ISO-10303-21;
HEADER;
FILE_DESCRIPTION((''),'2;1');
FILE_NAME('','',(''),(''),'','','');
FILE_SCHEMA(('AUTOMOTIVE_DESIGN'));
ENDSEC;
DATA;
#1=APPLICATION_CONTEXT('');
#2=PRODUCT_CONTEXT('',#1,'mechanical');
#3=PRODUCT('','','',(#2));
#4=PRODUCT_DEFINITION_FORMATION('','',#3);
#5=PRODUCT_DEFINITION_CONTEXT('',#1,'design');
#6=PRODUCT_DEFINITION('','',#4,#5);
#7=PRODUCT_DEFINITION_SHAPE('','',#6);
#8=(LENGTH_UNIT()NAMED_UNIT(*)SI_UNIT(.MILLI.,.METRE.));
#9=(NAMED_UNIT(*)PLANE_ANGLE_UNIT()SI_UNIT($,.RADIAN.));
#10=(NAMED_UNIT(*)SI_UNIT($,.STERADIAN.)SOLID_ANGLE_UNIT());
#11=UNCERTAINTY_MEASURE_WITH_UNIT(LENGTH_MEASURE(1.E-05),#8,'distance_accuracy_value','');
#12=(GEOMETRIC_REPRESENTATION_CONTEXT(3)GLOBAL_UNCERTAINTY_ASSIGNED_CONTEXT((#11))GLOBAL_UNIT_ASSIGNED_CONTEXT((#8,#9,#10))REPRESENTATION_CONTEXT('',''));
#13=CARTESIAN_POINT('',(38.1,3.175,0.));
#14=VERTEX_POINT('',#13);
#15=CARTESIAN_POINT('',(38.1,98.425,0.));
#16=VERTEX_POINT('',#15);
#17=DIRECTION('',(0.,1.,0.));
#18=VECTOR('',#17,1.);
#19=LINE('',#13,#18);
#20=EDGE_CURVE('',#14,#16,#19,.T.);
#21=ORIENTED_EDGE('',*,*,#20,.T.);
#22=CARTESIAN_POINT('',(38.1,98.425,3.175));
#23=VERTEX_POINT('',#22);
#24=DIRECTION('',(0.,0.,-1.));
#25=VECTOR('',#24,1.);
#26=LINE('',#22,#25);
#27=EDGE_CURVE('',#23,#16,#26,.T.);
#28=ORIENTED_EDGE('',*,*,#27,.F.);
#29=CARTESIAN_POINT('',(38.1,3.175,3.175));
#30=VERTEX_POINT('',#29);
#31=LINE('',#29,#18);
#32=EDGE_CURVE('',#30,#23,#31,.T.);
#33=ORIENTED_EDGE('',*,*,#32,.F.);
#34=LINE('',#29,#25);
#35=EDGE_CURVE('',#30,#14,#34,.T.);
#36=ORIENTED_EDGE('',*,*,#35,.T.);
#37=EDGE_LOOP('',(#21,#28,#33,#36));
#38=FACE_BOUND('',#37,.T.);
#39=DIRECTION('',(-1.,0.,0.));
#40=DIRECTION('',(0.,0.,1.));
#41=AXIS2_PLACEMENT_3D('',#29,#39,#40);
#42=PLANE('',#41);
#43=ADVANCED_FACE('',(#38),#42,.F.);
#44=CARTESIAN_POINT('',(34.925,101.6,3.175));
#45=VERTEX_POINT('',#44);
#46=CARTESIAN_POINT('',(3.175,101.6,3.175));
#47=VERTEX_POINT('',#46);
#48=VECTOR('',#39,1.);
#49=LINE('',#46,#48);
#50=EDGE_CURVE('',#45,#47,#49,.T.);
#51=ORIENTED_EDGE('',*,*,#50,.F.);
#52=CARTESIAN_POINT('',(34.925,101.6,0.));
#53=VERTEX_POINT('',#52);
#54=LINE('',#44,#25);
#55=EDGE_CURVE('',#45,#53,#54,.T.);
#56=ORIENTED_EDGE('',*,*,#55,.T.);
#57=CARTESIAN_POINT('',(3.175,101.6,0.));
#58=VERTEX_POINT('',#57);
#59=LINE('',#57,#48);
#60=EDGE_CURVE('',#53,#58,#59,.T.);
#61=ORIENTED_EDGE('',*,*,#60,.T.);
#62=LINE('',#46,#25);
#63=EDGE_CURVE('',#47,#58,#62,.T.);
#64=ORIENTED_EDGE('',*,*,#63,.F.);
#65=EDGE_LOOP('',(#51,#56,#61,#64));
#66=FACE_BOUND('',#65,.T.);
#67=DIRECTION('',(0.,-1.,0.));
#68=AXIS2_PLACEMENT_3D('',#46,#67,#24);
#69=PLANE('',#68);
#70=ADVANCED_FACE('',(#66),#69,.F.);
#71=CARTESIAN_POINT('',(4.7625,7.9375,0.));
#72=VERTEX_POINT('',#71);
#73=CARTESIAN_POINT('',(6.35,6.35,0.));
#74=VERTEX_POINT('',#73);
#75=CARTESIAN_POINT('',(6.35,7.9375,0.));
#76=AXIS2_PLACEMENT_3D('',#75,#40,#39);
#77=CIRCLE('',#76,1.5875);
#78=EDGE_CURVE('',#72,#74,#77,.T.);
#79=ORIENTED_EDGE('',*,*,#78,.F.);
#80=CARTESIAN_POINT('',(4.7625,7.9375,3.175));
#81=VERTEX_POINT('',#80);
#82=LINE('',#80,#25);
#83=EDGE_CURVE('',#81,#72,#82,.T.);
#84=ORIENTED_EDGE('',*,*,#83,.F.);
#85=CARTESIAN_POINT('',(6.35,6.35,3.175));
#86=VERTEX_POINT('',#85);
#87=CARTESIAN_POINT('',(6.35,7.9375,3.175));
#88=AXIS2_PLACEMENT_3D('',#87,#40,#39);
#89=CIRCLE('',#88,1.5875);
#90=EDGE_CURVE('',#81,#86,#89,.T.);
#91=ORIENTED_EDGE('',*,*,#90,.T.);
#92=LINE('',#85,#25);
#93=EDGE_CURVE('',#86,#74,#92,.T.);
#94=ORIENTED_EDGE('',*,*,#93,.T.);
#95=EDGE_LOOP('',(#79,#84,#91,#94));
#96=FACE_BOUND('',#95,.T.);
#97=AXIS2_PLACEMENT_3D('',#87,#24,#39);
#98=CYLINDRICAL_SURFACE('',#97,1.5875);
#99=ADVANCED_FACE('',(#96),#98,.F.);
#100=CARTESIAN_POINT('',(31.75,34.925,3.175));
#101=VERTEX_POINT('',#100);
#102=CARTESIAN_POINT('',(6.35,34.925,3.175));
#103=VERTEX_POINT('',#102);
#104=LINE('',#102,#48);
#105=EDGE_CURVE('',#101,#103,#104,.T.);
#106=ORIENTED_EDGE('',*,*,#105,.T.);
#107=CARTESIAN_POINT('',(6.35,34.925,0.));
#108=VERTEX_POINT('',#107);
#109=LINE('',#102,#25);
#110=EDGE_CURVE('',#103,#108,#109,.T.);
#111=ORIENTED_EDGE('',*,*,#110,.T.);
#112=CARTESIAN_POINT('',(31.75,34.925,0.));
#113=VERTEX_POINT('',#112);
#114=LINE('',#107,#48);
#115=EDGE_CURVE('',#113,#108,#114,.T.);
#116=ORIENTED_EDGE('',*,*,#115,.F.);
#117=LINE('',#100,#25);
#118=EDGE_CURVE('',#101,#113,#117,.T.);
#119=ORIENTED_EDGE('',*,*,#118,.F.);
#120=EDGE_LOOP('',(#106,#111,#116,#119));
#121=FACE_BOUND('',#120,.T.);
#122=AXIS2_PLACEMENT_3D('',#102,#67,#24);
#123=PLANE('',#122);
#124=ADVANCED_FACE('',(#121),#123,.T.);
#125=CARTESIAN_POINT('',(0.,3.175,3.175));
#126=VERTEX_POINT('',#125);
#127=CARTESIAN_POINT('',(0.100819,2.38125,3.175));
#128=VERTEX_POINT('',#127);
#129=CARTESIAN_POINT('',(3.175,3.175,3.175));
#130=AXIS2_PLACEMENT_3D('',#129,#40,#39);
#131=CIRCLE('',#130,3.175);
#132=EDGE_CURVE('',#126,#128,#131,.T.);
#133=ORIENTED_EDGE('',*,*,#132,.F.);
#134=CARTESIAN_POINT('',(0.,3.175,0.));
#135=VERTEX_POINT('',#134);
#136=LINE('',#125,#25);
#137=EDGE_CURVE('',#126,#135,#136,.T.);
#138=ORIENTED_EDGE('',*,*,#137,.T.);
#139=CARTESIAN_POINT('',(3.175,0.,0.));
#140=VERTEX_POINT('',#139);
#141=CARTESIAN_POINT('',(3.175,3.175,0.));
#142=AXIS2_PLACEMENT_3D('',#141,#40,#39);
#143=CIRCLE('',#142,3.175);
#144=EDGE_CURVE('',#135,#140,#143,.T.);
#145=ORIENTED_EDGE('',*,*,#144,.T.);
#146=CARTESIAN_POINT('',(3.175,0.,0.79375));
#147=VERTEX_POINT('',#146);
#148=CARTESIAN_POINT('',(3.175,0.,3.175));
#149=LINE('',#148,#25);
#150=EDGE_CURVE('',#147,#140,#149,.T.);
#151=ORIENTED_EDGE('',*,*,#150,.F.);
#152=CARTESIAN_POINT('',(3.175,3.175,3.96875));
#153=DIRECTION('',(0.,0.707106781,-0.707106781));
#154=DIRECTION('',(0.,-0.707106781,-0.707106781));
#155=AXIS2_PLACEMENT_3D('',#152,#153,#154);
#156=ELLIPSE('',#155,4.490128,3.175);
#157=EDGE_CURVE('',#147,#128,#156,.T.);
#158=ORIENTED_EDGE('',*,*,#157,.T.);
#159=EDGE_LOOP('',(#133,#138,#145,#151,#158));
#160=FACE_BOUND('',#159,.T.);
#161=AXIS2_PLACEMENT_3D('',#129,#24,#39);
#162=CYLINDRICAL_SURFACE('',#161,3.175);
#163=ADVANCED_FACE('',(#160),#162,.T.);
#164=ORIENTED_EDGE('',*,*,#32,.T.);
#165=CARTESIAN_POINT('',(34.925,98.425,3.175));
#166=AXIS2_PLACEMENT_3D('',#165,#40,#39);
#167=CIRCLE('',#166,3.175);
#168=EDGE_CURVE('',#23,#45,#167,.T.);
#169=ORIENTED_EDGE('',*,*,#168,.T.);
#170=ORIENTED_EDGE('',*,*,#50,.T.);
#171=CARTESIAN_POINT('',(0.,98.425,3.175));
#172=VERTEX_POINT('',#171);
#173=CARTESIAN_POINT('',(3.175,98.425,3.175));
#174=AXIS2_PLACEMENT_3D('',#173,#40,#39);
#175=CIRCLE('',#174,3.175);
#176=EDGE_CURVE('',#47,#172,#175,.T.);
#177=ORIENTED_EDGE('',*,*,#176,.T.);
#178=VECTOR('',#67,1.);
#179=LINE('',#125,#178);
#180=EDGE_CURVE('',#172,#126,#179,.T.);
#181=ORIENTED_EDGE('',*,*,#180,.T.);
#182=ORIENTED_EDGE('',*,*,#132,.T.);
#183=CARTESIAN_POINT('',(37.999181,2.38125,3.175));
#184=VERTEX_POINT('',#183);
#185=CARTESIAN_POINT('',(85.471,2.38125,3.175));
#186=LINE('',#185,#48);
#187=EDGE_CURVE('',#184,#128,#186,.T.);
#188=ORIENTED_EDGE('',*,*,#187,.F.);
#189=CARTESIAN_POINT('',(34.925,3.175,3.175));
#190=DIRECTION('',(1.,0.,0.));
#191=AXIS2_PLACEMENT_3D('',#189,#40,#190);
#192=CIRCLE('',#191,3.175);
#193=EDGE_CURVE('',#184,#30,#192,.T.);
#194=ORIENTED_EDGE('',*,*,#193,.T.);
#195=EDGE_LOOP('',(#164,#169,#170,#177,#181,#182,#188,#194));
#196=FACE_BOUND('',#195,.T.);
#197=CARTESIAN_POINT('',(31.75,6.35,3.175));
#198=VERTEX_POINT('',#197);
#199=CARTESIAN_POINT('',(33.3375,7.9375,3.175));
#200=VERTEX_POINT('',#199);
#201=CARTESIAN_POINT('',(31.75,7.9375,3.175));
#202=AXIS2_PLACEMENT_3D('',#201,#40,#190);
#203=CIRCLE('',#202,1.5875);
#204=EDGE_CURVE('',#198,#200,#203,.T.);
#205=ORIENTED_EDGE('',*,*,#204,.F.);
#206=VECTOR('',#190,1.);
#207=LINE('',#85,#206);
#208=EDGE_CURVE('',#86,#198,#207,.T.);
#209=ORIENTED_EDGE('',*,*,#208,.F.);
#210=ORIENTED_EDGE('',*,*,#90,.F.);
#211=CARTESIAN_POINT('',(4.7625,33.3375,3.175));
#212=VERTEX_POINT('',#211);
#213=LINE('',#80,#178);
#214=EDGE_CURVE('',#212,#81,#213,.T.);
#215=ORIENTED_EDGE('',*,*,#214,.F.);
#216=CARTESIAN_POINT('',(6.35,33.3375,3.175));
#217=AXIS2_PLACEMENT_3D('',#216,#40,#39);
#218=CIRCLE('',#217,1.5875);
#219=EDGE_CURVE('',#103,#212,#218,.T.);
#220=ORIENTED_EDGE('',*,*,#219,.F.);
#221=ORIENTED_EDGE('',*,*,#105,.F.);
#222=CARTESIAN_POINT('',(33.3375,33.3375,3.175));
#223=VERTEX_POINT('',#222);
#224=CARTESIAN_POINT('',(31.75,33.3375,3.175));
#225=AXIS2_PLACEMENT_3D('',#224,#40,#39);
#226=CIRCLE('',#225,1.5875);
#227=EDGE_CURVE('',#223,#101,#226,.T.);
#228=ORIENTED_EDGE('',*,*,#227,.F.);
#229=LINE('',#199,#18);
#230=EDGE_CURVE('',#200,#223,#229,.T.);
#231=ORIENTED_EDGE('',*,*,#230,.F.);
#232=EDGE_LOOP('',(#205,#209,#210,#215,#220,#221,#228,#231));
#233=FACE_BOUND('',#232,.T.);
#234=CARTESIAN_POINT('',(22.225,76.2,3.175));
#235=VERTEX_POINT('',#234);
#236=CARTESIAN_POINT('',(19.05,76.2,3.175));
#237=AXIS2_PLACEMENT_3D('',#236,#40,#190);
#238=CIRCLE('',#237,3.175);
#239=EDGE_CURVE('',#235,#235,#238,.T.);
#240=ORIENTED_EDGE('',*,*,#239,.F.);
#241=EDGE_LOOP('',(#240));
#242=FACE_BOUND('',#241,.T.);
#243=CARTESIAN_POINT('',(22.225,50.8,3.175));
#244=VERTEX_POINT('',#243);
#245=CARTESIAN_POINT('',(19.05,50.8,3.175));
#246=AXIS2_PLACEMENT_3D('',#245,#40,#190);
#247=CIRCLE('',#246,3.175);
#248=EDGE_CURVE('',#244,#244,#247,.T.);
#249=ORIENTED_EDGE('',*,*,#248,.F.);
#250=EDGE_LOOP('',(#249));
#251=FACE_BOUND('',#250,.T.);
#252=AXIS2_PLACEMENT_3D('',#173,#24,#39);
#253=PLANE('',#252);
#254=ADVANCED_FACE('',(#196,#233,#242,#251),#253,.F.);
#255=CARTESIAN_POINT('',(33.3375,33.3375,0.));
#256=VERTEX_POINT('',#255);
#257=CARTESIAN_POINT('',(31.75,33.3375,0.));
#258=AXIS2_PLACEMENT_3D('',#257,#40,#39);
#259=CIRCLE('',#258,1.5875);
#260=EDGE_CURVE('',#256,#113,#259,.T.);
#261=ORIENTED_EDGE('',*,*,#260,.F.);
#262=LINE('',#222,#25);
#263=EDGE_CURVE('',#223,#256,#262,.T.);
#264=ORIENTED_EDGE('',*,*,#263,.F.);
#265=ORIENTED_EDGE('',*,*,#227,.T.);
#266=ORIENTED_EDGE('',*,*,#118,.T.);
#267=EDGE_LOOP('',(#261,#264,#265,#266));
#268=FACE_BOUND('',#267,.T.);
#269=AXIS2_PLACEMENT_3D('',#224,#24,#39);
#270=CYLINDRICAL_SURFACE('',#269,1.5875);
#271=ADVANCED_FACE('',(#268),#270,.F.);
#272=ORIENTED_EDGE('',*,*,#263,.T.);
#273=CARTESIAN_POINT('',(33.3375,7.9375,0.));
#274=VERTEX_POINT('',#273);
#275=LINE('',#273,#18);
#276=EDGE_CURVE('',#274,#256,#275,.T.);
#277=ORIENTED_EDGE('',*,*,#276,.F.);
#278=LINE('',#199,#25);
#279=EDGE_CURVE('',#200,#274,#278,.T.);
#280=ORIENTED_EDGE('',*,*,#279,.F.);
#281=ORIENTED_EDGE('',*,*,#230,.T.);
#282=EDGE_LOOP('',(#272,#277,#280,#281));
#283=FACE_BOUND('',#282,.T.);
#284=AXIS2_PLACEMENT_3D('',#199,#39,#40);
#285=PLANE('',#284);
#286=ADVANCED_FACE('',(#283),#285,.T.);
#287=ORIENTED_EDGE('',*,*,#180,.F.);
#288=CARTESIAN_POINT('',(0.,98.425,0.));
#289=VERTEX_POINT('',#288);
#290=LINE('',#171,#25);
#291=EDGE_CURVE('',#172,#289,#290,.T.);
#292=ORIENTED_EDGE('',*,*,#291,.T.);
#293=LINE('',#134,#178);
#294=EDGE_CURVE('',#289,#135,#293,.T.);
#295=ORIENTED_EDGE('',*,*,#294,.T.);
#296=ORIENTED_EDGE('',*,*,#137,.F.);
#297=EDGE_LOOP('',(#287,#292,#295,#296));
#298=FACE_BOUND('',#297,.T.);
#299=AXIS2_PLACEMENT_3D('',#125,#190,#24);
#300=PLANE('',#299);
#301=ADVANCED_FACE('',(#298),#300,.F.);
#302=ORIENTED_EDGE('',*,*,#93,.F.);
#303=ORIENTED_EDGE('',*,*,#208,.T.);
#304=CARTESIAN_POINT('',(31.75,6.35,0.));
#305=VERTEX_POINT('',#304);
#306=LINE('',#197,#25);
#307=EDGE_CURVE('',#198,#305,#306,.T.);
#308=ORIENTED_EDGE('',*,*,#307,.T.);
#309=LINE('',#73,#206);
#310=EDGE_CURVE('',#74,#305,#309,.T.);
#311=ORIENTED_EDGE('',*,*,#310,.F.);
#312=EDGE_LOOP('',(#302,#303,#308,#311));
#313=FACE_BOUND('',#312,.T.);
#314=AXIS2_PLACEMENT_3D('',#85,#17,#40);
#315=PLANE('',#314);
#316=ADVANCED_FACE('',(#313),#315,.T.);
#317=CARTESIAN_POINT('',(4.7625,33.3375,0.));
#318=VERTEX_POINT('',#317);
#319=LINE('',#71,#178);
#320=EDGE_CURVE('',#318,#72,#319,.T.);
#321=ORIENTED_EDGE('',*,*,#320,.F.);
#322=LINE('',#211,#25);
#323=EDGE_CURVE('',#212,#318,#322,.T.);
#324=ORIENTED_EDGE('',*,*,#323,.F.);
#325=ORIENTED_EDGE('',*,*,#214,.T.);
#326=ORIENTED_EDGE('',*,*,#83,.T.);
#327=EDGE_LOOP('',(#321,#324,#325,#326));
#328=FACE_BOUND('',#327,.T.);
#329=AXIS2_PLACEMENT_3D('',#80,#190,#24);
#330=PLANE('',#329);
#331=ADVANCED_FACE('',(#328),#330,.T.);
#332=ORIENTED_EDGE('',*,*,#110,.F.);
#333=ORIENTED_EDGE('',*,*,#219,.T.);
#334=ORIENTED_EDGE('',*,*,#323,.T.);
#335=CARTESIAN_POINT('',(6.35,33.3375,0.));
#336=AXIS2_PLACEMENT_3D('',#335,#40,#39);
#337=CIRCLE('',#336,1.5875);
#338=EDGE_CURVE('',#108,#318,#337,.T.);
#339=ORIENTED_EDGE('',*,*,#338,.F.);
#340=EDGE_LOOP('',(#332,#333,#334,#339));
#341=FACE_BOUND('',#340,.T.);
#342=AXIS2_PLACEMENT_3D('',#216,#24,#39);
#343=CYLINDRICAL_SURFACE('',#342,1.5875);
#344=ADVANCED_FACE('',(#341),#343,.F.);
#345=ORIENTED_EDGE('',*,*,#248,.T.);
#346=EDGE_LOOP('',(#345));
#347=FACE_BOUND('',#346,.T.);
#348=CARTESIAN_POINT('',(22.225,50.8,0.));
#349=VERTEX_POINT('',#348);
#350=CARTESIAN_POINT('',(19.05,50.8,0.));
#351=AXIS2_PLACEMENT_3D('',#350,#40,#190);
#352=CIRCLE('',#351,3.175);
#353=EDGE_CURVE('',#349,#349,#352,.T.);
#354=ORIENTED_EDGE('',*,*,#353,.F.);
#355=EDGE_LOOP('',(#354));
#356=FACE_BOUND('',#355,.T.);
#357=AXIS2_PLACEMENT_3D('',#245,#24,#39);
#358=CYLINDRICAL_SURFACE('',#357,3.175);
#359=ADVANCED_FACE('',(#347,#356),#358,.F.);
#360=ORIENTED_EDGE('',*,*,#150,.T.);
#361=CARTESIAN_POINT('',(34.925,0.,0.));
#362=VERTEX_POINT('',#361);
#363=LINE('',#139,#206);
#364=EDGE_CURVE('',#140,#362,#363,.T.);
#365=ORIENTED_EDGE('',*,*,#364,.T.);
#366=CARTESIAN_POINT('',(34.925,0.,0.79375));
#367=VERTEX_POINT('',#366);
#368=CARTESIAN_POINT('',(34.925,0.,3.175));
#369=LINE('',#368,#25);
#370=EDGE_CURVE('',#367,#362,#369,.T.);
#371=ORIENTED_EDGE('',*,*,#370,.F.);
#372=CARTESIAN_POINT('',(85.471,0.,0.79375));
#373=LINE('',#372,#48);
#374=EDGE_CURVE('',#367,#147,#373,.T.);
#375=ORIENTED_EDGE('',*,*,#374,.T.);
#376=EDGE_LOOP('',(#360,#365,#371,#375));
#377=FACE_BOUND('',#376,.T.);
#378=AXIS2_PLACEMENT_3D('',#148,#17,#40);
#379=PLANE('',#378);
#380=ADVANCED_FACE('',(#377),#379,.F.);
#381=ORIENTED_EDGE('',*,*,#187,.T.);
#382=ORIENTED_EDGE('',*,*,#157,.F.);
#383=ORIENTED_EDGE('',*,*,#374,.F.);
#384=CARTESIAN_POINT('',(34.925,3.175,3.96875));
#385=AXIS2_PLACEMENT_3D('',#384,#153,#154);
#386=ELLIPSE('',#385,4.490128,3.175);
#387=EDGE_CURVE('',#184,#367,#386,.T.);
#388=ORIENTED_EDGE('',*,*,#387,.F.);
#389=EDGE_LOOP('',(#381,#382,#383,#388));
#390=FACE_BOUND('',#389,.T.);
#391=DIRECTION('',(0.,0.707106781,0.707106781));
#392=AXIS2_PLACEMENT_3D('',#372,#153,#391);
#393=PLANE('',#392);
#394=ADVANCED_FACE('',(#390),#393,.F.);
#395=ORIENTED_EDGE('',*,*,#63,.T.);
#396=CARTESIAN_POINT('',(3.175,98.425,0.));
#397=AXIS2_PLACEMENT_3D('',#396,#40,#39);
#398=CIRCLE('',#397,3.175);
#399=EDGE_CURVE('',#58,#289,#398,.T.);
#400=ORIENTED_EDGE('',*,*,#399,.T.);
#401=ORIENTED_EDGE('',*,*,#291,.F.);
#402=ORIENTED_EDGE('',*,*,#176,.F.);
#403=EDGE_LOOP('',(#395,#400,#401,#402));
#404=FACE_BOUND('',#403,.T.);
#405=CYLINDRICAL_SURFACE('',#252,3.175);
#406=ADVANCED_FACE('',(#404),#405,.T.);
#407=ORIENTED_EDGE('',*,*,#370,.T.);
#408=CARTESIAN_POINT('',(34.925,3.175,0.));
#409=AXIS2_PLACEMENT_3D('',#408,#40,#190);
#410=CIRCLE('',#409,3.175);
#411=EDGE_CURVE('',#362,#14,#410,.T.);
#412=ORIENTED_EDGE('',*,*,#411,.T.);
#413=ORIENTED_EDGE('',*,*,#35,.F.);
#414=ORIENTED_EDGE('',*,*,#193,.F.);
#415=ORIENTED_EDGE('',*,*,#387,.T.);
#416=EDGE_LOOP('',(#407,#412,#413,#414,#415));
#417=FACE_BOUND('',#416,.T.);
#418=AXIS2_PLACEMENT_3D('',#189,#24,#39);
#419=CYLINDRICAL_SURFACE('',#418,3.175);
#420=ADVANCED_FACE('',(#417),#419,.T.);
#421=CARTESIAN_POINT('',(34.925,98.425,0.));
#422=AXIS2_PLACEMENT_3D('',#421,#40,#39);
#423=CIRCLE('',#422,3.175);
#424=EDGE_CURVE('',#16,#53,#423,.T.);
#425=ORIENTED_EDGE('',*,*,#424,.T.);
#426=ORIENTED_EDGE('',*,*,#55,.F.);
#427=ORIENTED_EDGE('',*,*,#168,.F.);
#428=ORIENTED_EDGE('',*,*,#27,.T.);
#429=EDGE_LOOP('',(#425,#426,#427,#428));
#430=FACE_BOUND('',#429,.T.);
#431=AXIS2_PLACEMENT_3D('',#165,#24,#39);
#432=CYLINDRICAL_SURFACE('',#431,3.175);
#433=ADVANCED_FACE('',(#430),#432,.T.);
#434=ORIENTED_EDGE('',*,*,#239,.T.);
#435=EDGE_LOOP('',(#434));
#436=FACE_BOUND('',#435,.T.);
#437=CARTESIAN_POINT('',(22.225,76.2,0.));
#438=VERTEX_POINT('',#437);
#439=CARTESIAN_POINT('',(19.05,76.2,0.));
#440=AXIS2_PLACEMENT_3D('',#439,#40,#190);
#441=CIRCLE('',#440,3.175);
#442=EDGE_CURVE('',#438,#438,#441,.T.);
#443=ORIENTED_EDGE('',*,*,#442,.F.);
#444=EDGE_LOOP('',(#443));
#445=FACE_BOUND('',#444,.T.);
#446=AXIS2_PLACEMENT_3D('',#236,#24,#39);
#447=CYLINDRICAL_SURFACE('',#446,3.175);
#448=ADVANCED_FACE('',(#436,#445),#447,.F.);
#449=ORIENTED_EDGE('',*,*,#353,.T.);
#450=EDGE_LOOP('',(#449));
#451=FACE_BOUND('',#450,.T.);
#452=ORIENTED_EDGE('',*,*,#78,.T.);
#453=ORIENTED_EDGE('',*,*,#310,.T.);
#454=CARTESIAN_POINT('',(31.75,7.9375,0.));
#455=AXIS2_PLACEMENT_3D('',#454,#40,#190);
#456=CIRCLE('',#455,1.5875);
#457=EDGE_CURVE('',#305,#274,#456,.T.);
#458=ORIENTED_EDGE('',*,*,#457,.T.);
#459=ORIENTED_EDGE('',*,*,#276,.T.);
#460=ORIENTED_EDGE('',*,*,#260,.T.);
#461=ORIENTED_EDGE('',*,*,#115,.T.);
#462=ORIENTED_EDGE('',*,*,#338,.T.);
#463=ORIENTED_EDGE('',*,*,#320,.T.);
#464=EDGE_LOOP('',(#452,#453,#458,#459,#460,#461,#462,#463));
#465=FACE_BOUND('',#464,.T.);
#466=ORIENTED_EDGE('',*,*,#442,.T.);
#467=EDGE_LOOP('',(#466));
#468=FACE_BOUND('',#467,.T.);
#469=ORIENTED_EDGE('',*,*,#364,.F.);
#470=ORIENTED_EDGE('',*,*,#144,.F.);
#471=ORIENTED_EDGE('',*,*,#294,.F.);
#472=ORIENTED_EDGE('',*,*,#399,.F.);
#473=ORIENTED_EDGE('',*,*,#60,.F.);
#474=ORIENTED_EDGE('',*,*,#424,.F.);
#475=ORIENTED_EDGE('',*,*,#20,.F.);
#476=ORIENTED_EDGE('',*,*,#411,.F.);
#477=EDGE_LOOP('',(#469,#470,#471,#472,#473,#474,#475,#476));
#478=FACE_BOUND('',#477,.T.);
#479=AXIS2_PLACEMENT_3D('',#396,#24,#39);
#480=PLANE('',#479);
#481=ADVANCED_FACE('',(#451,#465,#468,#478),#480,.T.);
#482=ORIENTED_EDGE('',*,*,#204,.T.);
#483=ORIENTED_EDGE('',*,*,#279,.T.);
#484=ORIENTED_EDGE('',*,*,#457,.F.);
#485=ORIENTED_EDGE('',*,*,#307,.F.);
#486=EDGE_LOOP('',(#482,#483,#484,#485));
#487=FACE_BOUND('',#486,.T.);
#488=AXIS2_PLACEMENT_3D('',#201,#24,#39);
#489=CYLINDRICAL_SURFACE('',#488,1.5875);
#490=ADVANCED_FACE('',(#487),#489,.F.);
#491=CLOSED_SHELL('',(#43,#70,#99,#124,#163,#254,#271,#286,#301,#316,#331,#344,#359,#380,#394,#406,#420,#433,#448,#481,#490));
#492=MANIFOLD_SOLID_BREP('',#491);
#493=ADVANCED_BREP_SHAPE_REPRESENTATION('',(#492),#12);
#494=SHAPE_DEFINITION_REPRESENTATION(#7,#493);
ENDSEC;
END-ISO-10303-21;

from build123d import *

# Parameters (mm, degrees)
SKETCH1_R           = 3.175
BOSS_EXTRUDE1_DEPTH = 3.175
CUT_EXTRUDE1_DEPTH  = 85.471


with BuildPart() as part:
    # Sketch1 → Boss-Extrude1 (new body)
    with BuildSketch(Plane.XY):
        with BuildLine():
            Line((3.175, 0), (34.925, 0))
            ThreePointArc((34.925, 0), (37.17006403, 0.92993597), (38.1, 3.175))
            Line((38.1, 3.175), (38.1, 98.425))
            ThreePointArc((38.1, 98.425), (37.17006403, 100.67006403), (34.925, 101.6))
            Line((34.925, 101.6), (3.175, 101.6))
            ThreePointArc((3.175, 101.6), (0.92993597, 100.67006403), (0, 98.425))
            Line((0, 98.425), (0, 3.175))
            ThreePointArc((0, 3.175), (0.92993597, 0.92993597), (3.175, 0))
        make_face()
        with Locations((19.05, 50.8)):
            Circle(SKETCH1_R, mode=Mode.SUBTRACT)
        with Locations((19.05, 76.2)):
            Circle(SKETCH1_R, mode=Mode.SUBTRACT)
        with BuildLine():
            Line((6.35, 6.35), (31.75, 6.35))
            ThreePointArc((31.75, 6.35), (32.872532015, 6.814967985), (33.3375, 7.9375))
            Line((33.3375, 7.9375), (33.3375, 33.3375))
            ThreePointArc((33.3375, 33.3375), (32.872532015, 34.460032015), (31.75, 34.925))
            Line((31.75, 34.925), (6.35, 34.925))
            ThreePointArc((6.35, 34.925), (5.227467985, 34.460032015), (4.7625, 33.3375))
            Line((4.7625, 33.3375), (4.7625, 7.9375))
            ThreePointArc((4.7625, 7.9375), (5.227467985, 6.814967985), (6.35, 6.35))
        make_face(mode=Mode.SUBTRACT)
    extrude(amount=BOSS_EXTRUDE1_DEPTH)

    # Sketch2 → Cut-Extrude1 (cut)
    with BuildSketch(Plane.ZY):
        Polygon((0.79375, 0), (3.175, 2.38125), (3.175, 0), align=None)
    extrude(amount=-CUT_EXTRUDE1_DEPTH, mode=Mode.SUBTRACT)


solid = part.part
